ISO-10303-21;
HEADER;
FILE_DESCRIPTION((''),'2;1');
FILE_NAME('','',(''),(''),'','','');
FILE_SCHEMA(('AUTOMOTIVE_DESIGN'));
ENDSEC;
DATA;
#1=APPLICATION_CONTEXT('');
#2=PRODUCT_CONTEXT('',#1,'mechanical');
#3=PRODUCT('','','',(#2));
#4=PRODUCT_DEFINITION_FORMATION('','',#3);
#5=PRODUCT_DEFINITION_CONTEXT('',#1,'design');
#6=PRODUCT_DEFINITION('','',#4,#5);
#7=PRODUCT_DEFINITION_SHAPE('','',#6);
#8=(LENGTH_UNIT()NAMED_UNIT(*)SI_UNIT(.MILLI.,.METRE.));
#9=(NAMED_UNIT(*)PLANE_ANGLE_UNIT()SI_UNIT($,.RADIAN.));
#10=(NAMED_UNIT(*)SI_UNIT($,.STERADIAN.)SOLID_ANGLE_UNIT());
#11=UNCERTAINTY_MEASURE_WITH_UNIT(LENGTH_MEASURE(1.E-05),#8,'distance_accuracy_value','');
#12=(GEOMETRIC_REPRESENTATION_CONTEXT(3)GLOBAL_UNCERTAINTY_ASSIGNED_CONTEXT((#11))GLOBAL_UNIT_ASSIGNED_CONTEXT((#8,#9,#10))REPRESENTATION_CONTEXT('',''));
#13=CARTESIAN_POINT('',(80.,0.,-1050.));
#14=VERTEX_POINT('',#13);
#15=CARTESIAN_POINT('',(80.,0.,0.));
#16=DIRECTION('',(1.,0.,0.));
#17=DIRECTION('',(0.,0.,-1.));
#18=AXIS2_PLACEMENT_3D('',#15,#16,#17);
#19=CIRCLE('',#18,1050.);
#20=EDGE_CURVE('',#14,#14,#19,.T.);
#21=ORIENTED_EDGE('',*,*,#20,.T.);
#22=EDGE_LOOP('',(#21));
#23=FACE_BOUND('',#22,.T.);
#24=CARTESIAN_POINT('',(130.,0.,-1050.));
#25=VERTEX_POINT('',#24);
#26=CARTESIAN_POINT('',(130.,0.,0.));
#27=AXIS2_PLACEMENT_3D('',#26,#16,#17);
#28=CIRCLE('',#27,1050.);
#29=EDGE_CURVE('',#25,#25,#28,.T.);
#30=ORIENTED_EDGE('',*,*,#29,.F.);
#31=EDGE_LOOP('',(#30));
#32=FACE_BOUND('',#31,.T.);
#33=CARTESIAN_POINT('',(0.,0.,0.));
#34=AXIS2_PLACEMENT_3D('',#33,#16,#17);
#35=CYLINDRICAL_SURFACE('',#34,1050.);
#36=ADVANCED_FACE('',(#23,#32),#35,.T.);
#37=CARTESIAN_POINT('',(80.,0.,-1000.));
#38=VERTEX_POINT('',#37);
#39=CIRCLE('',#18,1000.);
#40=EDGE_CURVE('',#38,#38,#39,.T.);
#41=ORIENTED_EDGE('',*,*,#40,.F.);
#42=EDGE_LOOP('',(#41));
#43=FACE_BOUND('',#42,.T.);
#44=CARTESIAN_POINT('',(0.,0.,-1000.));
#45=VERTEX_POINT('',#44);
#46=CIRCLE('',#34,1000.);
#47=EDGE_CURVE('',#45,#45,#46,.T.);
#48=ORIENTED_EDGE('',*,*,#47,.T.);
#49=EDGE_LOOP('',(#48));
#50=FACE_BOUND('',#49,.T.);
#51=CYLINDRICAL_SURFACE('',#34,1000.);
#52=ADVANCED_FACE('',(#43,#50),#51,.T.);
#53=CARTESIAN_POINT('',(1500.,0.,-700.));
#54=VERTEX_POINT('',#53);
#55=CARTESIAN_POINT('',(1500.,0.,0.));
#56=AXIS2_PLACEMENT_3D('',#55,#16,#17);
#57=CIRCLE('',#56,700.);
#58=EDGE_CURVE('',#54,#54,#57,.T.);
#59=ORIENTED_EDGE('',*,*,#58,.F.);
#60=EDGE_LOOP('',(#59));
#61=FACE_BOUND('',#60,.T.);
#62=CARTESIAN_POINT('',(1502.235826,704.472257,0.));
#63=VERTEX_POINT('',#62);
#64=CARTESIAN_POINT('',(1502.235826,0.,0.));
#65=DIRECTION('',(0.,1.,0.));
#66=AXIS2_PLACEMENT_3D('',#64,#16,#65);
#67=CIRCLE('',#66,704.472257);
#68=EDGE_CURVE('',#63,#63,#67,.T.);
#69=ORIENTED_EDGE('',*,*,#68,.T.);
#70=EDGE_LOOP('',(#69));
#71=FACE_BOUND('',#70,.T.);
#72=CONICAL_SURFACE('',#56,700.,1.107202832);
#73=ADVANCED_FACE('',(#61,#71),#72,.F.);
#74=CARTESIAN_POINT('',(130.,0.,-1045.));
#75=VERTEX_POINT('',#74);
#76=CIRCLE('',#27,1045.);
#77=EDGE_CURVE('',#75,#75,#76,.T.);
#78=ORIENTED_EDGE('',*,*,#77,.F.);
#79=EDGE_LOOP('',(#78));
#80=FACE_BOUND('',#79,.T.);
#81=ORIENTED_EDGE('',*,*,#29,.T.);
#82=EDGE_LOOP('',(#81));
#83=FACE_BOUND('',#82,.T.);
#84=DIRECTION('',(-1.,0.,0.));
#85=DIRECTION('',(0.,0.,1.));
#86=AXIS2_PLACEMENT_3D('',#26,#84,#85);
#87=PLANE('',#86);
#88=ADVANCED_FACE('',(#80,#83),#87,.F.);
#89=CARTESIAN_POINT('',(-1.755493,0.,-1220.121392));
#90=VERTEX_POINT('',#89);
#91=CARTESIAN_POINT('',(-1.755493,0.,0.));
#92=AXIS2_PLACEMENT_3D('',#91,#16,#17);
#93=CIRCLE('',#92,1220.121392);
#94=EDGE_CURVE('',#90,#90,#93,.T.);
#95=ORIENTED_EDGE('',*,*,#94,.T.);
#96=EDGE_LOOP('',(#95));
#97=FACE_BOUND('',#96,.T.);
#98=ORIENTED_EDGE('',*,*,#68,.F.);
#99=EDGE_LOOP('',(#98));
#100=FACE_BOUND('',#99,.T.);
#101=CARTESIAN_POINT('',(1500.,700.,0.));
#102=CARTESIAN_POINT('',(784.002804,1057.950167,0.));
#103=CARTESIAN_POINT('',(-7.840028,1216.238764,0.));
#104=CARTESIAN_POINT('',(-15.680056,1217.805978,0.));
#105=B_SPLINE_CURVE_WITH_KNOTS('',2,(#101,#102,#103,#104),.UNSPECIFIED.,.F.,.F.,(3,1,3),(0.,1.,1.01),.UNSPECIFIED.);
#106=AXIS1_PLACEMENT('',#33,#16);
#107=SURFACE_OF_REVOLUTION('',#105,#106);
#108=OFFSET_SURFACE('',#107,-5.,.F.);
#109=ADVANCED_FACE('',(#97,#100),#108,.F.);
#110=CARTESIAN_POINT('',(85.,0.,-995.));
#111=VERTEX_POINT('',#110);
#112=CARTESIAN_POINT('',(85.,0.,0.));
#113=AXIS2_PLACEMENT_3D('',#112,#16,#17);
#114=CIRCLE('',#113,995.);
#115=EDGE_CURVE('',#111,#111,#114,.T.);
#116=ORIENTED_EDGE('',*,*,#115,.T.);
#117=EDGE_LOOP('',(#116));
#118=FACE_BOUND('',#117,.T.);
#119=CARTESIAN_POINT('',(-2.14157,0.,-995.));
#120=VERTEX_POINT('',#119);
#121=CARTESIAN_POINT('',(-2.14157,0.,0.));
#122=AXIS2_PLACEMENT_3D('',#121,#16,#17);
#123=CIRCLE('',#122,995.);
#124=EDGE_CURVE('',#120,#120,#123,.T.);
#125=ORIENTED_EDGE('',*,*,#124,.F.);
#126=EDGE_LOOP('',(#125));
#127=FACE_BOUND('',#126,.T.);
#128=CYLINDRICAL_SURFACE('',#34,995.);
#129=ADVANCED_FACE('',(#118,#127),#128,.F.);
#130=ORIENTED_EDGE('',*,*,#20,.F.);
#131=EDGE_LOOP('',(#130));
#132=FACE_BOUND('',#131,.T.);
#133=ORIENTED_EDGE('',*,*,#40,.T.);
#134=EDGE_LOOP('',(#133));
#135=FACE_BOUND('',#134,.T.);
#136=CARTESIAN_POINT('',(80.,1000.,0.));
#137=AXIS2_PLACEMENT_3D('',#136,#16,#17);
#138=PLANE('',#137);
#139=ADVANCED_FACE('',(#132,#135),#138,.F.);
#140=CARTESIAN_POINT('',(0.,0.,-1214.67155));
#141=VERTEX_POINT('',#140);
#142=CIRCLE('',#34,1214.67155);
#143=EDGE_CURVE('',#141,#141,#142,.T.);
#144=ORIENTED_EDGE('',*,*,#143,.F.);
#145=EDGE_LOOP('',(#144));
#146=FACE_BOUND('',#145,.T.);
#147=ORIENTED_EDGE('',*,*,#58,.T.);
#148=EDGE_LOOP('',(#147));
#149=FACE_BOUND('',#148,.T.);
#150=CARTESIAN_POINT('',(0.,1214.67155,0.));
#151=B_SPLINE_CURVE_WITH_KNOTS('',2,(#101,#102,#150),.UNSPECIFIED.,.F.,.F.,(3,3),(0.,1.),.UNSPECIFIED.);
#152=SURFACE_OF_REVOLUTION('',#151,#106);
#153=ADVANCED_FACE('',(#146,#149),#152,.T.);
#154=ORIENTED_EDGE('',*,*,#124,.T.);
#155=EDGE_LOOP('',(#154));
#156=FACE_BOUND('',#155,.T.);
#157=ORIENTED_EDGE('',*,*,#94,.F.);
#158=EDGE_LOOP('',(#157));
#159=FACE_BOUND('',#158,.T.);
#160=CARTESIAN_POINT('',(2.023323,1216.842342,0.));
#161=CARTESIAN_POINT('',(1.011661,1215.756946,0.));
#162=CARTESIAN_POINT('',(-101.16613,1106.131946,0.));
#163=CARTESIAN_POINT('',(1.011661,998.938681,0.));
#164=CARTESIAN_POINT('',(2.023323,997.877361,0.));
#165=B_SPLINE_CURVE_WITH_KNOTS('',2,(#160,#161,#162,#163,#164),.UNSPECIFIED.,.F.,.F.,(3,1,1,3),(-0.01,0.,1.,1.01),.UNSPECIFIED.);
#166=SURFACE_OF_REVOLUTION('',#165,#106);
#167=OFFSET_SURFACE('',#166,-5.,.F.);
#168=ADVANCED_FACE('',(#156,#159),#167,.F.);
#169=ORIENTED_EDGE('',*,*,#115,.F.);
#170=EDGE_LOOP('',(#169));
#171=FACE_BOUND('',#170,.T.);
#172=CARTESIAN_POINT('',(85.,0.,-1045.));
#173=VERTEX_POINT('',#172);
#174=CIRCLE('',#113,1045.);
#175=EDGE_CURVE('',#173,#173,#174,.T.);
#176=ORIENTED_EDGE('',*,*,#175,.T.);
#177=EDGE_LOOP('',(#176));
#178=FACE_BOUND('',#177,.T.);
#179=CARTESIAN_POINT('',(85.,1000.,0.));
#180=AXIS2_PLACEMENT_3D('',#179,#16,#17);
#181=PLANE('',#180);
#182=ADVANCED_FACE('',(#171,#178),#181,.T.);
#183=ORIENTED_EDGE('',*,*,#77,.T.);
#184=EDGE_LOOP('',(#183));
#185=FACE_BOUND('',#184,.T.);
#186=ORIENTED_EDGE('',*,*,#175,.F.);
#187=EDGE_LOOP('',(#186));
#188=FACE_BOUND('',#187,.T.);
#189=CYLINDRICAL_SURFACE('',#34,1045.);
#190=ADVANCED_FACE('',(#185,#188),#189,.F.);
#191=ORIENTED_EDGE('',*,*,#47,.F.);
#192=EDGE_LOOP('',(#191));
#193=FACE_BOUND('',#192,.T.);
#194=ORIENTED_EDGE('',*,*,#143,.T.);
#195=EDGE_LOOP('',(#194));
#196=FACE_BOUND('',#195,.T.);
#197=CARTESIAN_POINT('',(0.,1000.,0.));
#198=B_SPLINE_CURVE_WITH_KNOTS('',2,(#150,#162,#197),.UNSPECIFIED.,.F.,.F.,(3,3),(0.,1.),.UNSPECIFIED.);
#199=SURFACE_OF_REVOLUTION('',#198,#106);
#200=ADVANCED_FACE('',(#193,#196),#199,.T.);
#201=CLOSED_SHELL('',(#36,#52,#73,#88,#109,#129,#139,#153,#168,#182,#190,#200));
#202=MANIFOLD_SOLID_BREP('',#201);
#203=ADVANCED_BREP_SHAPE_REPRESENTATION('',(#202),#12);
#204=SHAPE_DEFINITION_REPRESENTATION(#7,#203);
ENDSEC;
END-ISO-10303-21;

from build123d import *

# Parameters (mm, degrees)
THICKEN1_T1 = 5


with BuildPart() as body_1:
    # Surface-Revolve1: a surface, the sketch's curves turned about an axis
    with BuildLine(Plane.XY, mode=Mode.PRIVATE) as surface_revolve1_1_path:
        Line((130, 1050), (80, 1050))
        Line((80, 1050), (80, 1000))
        Line((80, 1000), (0, 1000))
        add(Edge.make_bspline(
            [(0, 1000), (-101.166130319, 1106.131945773), (0, 1214.671550025)],
            knots=[0, 0, 0, 1, 1, 1], degree=2))
        add(Edge.make_bspline(
            [(0, 1214.671550025), (784.002803611, 1057.950167401), (1500, 700)],
            knots=[0, 0, 0, 1, 1, 1], degree=2))
    surface_revolve1_1 = Shell.revolve(surface_revolve1_1_path.wire(), 360, Axis((0, 0, 0), (1, 0, 0)))
    add(Solid.thicken(surface_revolve1_1, THICKEN1_T1))


solid = body_1.part
